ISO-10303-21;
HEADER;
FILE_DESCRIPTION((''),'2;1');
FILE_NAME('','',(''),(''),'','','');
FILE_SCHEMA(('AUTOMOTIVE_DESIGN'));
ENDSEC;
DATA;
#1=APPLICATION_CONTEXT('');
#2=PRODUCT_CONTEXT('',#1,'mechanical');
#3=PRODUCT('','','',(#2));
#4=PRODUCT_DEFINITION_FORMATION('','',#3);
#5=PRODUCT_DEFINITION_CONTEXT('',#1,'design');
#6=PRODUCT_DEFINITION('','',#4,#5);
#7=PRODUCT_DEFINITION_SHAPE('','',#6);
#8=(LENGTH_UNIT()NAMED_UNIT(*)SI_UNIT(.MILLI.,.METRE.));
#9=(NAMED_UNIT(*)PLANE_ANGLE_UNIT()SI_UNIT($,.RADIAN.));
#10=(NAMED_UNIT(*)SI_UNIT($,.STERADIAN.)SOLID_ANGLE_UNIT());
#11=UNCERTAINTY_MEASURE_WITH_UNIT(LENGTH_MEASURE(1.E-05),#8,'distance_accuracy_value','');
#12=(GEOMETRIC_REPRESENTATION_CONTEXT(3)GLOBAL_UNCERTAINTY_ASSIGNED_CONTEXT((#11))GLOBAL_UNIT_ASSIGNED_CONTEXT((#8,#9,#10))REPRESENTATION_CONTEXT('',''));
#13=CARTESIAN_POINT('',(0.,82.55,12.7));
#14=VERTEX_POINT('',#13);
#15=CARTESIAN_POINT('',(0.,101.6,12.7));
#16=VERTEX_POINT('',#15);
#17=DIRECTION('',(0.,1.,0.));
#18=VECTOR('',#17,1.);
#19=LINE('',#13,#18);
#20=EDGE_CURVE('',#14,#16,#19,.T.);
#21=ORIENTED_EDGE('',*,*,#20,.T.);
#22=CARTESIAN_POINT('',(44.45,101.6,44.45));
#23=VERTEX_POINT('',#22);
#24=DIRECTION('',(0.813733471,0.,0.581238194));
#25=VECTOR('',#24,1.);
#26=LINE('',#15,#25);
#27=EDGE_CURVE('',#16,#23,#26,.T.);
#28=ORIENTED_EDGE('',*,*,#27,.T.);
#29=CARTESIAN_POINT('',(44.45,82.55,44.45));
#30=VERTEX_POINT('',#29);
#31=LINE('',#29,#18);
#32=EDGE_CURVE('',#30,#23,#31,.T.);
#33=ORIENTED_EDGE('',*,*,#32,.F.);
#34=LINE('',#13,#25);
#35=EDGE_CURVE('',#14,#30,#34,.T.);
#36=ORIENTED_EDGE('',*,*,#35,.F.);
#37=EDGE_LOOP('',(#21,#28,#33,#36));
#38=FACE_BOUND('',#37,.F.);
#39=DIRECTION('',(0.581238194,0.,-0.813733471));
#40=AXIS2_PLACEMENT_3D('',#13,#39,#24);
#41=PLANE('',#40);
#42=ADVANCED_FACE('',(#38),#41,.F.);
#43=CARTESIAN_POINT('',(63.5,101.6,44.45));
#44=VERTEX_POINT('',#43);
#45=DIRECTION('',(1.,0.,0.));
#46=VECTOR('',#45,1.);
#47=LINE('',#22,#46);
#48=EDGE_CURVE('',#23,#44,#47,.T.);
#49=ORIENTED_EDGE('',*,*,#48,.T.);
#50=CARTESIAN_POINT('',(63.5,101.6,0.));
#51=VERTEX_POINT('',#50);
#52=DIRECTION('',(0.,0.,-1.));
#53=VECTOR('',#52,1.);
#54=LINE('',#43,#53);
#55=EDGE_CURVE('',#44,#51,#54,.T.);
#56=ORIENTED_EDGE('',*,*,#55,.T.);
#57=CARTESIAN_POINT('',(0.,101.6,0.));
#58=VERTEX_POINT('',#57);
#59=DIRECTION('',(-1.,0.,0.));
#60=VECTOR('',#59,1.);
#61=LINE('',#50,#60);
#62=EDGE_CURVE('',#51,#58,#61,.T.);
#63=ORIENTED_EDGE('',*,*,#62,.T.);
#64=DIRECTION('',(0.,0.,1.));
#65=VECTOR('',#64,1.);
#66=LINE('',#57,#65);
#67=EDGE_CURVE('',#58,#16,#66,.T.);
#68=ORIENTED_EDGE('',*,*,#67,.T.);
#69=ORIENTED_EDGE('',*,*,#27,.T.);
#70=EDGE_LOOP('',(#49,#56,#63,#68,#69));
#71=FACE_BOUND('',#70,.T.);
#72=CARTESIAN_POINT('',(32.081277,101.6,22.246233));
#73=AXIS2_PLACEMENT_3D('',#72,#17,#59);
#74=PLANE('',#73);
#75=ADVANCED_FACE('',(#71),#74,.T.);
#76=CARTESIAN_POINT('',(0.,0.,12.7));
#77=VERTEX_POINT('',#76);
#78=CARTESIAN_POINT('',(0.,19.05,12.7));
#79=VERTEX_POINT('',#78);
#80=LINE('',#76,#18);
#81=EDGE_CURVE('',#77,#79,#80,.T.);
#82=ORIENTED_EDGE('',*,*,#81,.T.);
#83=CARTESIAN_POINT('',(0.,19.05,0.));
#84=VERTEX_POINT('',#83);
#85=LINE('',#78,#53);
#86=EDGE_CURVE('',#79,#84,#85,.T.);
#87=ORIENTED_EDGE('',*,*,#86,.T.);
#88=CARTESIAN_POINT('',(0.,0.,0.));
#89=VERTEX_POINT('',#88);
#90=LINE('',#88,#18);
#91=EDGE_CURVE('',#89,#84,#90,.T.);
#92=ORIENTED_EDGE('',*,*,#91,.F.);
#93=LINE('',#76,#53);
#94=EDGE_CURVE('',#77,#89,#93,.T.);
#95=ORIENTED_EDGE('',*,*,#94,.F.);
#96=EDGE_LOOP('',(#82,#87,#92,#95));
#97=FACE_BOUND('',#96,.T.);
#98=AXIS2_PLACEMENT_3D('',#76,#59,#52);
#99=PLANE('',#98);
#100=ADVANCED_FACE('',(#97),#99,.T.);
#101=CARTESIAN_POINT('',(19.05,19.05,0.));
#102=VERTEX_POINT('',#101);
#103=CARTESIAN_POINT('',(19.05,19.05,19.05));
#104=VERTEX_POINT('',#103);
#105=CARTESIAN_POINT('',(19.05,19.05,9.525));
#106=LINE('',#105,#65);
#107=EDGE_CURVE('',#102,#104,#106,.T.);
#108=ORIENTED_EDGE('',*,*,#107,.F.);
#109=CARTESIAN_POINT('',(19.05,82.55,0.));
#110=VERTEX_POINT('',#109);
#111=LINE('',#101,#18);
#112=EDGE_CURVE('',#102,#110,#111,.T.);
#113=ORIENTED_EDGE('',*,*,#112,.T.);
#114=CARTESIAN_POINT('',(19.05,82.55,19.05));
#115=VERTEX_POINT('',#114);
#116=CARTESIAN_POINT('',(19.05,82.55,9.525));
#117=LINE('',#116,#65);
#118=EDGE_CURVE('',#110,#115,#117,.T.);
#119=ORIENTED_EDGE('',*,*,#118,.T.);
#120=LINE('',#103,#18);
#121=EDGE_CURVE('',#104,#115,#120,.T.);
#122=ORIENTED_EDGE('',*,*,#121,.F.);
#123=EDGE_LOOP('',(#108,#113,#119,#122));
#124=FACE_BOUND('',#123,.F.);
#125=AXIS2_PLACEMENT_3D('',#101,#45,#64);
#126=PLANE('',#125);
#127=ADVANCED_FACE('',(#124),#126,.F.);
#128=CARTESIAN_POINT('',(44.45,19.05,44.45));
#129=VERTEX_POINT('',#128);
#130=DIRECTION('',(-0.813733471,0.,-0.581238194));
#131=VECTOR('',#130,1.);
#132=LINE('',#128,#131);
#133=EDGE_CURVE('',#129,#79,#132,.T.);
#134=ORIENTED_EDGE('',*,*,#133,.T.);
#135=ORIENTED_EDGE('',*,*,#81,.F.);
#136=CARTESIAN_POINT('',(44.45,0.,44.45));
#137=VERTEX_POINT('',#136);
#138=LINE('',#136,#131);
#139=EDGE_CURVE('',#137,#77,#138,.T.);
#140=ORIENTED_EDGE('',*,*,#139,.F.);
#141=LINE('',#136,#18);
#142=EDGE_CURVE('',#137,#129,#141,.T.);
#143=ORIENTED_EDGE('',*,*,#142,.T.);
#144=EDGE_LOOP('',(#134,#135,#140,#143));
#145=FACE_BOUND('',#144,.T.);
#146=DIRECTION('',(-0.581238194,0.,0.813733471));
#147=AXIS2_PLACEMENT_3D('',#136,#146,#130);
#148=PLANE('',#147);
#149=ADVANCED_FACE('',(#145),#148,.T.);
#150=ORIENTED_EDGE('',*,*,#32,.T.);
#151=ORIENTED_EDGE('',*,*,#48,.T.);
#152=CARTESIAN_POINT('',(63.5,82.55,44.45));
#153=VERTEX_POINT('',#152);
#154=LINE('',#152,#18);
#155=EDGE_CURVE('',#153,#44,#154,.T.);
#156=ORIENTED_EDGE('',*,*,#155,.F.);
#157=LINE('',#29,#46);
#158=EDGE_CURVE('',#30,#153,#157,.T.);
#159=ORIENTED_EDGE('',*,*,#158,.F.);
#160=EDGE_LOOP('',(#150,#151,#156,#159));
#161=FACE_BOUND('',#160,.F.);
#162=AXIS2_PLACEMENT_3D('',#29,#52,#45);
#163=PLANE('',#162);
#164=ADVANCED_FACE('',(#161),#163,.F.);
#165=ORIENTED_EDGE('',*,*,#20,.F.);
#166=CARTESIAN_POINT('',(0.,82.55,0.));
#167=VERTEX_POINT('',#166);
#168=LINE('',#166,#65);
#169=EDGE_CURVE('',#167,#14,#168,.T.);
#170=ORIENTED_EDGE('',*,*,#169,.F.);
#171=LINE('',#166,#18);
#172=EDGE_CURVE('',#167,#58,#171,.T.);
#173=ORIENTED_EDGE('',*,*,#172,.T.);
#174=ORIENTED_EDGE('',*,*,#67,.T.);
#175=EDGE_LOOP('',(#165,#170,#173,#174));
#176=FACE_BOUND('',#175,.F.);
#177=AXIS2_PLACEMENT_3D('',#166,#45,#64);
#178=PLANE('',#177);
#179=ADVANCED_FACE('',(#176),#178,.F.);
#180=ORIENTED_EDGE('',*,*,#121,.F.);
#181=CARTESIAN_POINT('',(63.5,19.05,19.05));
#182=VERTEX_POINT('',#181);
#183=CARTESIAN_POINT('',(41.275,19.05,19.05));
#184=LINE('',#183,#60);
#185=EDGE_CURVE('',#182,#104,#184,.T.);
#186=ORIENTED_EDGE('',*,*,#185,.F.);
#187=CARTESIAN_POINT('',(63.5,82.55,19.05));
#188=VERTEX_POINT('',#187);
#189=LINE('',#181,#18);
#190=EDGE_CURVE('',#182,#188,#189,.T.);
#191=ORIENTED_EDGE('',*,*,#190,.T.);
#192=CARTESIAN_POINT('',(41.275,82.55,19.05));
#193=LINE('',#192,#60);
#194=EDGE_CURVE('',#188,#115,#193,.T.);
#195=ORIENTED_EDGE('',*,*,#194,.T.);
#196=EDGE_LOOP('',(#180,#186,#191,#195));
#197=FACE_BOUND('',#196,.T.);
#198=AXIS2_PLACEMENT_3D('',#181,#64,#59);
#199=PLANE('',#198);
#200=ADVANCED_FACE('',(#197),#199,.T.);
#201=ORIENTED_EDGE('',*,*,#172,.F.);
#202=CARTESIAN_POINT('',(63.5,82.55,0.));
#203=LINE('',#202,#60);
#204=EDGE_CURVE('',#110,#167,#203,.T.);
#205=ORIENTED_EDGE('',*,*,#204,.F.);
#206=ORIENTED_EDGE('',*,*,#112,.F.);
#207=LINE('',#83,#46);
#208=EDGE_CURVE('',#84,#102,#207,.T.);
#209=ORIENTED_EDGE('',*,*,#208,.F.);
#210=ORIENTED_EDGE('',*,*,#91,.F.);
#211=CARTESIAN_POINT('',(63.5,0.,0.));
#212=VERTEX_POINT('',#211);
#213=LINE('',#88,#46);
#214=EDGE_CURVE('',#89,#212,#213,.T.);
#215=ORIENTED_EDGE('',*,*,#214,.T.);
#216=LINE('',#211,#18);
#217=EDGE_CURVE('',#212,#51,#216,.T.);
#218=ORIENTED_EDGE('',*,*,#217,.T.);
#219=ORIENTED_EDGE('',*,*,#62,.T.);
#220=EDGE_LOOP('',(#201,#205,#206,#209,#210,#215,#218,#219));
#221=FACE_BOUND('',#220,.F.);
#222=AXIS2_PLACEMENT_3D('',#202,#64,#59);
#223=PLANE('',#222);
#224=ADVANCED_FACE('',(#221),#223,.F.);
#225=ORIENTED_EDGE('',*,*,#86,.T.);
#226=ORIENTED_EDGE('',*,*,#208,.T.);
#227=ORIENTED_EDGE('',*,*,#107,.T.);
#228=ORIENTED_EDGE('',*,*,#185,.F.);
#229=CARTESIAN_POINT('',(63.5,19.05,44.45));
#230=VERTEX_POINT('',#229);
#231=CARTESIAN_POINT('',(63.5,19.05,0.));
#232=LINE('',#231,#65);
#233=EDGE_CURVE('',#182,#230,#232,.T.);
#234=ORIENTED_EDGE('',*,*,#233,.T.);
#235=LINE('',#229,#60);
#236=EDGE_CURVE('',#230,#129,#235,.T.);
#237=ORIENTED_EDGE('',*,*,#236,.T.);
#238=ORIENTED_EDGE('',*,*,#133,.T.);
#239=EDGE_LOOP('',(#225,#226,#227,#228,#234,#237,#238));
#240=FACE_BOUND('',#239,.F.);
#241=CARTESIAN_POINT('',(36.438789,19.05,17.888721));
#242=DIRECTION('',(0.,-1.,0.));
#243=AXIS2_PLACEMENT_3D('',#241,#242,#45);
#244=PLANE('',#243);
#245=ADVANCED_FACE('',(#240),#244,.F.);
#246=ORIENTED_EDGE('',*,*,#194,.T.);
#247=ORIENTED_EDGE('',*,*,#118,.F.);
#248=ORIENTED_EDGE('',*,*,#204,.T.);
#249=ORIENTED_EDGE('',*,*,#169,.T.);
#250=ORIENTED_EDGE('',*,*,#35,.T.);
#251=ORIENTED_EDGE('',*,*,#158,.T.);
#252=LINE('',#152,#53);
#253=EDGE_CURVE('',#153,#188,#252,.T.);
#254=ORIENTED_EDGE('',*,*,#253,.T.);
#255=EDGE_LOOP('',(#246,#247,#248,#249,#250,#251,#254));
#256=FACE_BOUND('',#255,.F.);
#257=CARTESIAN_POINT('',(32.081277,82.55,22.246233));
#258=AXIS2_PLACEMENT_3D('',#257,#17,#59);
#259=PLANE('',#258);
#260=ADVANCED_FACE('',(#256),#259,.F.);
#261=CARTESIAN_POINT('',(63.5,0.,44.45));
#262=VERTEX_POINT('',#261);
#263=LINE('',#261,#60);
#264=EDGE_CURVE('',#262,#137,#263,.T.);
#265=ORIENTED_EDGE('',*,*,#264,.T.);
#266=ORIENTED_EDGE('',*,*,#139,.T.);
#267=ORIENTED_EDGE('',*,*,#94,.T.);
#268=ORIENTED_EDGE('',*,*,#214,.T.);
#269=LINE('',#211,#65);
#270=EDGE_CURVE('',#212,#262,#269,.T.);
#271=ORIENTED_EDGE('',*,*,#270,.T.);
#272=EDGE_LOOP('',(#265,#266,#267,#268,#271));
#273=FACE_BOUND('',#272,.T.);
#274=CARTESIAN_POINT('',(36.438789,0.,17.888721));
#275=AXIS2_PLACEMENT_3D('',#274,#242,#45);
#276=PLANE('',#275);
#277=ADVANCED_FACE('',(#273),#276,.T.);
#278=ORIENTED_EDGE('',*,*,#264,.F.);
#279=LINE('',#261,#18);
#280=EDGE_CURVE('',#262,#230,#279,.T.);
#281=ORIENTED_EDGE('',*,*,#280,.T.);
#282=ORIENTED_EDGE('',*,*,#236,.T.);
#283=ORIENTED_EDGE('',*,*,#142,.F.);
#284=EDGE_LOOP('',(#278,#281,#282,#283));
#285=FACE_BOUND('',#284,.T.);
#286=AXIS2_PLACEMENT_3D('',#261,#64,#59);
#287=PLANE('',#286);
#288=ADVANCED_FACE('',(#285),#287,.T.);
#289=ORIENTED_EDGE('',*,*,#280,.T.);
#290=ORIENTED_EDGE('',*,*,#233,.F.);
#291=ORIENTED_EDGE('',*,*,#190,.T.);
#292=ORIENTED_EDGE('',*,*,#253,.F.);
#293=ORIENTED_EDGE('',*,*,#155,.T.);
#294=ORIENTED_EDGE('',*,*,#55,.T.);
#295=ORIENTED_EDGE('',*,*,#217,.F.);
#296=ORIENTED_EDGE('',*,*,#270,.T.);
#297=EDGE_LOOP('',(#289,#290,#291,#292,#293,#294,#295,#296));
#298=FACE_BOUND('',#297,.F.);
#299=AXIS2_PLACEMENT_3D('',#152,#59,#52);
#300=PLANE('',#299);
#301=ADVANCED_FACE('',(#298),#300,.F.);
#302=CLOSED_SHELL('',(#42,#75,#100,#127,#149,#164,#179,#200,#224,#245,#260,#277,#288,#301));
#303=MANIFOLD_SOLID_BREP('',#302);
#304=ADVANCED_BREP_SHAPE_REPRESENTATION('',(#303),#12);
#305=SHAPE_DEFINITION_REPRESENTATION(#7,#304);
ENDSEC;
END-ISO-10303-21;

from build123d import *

# Parameters (mm, degrees)
F1_DEPTH = 19.05
F2_W     = 44.45
F2_H     = 19.05
F3_DEPTH = 63.5
F4_W     = 44.45
F4_H     = 19.05
F5_DEPTH = 19.05


with BuildPart() as f1:
    # F0 (on Front) → F1 (new body)
    with BuildSketch(Plane.XZ):
        Polygon((0, 12.7), (0, 0), (63.5, 0), (63.5, 44.45), (44.45, 44.45), align=None)
    extrude(amount=-F1_DEPTH)

    # F2 (on face) → F3 (join)
    with BuildSketch(Plane(origin=(0, 19.05, 0), x_dir=(-1, 0, 0), z_dir=(0, 1, 0))):
        with Locations((-41.275, 9.525)):
            Rectangle(F2_W, F2_H)
    extrude(amount=F3_DEPTH)

    # F4 (on face) → F5 (join)
    with BuildSketch(Plane(origin=(0, 82.55, 0), x_dir=(-1, 0, 0), z_dir=(0, 1, 0))):
        Polygon((-63.5, 44.45), (-63.5, 19.05), (-19.05, 19.05), (-19.05, 0), (0, 0), (0, 12.7), (-44.45, 44.45), align=None)
        with Locations((-41.275, 9.525)):
            Rectangle(F4_W, F4_H)
    extrude(amount=F5_DEPTH)


solid = f1.part
